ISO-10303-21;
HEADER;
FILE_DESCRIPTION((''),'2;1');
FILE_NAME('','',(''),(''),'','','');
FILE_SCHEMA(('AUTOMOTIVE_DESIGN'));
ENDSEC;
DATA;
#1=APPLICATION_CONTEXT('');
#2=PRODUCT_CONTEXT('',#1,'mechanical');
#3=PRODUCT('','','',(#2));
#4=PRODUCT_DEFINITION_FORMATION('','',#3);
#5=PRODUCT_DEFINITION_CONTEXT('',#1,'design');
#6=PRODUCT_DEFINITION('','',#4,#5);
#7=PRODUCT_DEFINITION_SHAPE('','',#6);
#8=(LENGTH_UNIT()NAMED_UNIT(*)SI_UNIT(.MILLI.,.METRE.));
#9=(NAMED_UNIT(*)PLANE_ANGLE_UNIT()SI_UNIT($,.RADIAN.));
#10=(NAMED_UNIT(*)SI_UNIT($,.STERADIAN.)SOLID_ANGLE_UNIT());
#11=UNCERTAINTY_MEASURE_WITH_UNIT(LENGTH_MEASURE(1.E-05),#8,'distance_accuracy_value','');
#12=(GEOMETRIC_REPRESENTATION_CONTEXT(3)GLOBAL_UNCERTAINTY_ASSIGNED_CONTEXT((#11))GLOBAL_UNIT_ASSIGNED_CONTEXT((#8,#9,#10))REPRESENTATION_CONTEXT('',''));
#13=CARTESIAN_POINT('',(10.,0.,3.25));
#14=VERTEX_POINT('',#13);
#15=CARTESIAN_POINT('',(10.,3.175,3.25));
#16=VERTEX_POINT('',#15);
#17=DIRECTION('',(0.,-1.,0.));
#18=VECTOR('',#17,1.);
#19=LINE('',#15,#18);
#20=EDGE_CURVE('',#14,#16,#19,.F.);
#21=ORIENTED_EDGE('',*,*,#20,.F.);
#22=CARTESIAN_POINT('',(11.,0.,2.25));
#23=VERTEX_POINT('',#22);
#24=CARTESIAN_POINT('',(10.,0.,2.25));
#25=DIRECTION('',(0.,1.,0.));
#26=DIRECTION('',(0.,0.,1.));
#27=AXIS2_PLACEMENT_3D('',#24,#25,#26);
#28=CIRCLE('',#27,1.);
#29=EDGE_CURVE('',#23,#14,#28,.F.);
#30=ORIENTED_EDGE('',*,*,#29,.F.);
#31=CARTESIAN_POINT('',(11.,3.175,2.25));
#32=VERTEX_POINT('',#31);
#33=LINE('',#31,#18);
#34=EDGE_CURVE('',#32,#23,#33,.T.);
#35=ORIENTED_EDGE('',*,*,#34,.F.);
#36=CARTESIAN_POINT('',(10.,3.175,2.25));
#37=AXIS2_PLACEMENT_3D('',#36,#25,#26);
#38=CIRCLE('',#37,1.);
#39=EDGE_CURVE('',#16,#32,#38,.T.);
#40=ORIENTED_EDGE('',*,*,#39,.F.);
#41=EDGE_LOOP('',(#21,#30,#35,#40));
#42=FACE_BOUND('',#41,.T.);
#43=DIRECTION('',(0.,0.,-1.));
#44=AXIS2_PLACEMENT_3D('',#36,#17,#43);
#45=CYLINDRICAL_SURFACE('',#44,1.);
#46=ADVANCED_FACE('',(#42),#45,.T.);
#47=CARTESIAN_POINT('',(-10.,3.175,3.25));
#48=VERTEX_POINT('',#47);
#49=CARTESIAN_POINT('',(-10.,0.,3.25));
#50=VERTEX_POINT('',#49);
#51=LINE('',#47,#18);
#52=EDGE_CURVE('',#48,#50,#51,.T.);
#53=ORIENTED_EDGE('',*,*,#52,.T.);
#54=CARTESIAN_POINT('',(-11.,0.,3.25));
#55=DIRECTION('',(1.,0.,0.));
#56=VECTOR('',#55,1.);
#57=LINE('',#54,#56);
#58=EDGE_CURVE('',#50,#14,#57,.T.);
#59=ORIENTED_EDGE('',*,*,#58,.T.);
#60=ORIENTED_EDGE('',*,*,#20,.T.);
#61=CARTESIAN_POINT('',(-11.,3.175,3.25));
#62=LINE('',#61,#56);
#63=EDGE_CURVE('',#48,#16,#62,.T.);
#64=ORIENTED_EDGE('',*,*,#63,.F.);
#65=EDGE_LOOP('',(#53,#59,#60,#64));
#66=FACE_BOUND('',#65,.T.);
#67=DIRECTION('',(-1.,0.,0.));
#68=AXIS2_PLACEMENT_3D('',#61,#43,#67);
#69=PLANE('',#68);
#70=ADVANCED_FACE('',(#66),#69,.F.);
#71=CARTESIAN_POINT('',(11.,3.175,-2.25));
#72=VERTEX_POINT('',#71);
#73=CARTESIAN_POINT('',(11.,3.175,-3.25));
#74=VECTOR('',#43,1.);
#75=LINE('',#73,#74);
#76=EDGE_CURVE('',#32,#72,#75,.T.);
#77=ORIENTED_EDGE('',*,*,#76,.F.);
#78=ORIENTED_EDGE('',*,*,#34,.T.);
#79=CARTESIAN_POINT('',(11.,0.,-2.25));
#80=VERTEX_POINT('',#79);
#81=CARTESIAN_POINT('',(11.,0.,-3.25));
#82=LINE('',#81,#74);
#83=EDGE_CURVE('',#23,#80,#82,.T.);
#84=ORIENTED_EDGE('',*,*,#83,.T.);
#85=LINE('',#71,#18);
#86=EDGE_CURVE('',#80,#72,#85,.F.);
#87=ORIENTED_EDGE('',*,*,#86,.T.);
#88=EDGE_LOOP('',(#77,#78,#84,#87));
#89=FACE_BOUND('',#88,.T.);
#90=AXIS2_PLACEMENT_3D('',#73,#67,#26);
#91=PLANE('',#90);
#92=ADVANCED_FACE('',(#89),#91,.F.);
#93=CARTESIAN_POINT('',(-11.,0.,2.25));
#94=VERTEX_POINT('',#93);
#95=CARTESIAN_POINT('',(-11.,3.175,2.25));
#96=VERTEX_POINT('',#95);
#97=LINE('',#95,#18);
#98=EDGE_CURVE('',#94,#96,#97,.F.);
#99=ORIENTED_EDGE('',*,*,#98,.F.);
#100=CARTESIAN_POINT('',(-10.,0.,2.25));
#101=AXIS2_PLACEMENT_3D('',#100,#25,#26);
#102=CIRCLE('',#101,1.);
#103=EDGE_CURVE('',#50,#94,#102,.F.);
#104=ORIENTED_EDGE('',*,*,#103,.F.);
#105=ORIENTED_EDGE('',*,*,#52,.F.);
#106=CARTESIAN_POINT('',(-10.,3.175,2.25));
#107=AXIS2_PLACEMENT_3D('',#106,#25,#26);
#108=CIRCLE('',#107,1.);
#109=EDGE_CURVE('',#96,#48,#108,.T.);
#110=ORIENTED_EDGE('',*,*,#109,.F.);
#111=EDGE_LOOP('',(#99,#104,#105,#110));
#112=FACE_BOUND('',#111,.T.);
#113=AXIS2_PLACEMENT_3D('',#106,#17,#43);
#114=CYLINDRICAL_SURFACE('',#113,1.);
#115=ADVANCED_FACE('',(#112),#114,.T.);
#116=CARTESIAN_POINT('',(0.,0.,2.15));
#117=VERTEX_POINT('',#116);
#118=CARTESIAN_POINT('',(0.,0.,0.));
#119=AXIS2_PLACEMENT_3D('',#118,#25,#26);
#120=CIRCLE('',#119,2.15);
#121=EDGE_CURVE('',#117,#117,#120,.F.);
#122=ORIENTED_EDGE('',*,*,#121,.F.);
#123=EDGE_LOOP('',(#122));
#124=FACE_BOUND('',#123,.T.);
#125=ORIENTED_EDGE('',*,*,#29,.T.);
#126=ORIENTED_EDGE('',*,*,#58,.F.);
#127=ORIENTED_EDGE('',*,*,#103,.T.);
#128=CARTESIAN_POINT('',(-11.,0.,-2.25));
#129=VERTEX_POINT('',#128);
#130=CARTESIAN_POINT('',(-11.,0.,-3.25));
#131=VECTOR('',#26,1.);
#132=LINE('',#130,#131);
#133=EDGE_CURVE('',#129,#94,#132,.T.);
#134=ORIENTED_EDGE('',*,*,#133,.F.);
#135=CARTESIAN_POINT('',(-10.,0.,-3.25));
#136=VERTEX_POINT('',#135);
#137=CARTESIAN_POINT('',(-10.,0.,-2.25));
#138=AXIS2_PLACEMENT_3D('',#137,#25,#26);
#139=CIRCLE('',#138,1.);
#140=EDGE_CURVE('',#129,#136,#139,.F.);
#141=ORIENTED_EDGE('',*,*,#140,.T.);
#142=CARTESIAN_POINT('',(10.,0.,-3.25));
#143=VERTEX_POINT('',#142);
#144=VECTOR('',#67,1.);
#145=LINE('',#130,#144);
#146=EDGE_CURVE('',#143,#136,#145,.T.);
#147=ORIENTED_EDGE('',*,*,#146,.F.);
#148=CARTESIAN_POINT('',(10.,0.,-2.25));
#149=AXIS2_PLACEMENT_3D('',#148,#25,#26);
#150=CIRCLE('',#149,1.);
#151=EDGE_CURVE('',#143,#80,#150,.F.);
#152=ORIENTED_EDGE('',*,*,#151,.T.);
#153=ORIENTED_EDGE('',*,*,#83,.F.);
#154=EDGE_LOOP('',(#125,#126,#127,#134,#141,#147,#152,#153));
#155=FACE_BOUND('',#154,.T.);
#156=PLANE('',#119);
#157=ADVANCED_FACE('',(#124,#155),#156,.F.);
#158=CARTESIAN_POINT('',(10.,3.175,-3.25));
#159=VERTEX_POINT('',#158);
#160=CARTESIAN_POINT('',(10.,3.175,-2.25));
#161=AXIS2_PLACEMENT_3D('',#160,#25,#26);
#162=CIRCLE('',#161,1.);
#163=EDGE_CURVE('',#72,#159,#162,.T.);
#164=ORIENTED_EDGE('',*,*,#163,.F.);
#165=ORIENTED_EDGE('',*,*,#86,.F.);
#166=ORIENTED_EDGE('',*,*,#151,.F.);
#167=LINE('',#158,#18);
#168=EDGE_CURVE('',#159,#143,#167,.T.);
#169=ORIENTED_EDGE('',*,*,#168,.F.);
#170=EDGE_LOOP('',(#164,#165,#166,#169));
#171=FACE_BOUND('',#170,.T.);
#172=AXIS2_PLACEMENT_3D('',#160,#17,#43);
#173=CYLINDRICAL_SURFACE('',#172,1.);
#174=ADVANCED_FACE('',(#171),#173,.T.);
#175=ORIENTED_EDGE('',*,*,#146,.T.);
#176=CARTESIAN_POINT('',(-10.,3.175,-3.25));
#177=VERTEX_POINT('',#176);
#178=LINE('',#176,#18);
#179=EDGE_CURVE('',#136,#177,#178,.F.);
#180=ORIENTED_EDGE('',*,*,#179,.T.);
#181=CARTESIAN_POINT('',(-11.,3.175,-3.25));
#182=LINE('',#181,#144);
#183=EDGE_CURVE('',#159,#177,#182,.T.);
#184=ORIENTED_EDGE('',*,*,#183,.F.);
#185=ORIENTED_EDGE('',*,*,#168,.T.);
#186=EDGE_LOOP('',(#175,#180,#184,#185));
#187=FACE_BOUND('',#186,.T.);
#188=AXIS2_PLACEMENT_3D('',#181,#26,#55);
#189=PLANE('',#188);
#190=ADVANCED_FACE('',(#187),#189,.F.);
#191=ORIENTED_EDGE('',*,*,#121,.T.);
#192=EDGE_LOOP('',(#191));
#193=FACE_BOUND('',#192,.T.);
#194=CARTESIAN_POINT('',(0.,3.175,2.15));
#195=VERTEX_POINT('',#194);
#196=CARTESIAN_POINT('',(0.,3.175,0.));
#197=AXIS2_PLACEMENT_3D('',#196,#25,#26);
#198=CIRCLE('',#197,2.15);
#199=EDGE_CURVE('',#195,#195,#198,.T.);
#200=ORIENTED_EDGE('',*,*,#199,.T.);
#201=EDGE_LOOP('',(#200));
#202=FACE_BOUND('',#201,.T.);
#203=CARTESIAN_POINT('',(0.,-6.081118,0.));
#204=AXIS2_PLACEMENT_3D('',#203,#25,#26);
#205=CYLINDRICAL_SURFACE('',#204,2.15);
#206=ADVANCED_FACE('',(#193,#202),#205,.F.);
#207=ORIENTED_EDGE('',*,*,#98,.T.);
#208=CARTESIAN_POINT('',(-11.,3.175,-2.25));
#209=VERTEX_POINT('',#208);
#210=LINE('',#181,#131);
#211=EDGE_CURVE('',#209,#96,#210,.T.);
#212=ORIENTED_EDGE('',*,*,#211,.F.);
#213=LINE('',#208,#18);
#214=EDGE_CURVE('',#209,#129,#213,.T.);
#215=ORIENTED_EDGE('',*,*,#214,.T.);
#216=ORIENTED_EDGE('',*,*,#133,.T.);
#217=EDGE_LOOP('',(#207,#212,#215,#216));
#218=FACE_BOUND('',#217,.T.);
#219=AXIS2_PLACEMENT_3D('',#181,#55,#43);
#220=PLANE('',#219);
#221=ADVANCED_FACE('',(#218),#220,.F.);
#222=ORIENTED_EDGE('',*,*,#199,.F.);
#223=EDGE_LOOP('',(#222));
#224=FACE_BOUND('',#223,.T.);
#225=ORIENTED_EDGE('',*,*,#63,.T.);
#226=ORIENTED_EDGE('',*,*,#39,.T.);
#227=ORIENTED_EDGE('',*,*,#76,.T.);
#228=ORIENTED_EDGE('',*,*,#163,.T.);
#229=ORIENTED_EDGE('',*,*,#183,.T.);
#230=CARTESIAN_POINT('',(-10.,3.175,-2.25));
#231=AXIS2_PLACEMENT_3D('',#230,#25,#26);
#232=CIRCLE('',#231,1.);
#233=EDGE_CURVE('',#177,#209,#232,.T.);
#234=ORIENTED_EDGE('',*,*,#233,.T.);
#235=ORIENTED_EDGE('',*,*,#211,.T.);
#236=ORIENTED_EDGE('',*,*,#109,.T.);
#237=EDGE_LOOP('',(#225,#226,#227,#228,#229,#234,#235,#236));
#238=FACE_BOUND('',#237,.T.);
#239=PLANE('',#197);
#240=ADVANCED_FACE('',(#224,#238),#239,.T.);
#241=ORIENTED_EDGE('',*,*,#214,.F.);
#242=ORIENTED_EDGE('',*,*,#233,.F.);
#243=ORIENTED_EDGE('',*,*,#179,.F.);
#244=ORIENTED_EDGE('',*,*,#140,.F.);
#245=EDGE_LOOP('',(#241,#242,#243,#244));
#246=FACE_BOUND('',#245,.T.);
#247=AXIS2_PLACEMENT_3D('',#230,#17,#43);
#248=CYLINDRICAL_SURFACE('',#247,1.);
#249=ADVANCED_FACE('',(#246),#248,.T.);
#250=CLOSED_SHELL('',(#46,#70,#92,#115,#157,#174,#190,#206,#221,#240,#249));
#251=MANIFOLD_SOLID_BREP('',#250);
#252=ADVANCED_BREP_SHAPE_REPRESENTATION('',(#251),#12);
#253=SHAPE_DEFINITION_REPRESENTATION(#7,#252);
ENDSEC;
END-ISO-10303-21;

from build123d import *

# Parameters (mm, degrees)
SKETCH2_W           = 22
SKETCH2_H           = 6.5
BOSS_EXTRUDE2_DEPTH = 3.175
SKETCH3_R           = 2.15
CUT_EXTRUDE1_DEPTH  = 3.175
FILLET2_R           = 1


with BuildPart() as part:
    # Sketch2 → Boss-Extrude2 (new body)
    with BuildSketch(Plane(origin=(0, 0, 0), x_dir=(1, 0, 0), z_dir=(0, 1, 0))):
        Rectangle(SKETCH2_W, SKETCH2_H)
    extrude(amount=BOSS_EXTRUDE2_DEPTH)

    # Sketch3 → Cut-Extrude1 (cut)
    with BuildSketch(Plane(origin=(0, 3.175, 0), x_dir=(1, 0, 0), z_dir=(0, 1, 0))):
        with Locations(Location((0, 0, 0), (0, 0, 270))):
            Circle(SKETCH3_R)
    extrude(amount=-CUT_EXTRUDE1_DEPTH, mode=Mode.SUBTRACT)

    # Fillet2
    fillet2_edges = [part.edges().sort_by_distance(p)[0] for p in [
        (11, 1.5875, 3.25),
        (-11, 1.5875, 3.25),
        (-11, 1.5875, -3.25),
        (11, 1.5875, -3.25),
    ]]
    fillet(fillet2_edges, radius=FILLET2_R)


solid = part.part
